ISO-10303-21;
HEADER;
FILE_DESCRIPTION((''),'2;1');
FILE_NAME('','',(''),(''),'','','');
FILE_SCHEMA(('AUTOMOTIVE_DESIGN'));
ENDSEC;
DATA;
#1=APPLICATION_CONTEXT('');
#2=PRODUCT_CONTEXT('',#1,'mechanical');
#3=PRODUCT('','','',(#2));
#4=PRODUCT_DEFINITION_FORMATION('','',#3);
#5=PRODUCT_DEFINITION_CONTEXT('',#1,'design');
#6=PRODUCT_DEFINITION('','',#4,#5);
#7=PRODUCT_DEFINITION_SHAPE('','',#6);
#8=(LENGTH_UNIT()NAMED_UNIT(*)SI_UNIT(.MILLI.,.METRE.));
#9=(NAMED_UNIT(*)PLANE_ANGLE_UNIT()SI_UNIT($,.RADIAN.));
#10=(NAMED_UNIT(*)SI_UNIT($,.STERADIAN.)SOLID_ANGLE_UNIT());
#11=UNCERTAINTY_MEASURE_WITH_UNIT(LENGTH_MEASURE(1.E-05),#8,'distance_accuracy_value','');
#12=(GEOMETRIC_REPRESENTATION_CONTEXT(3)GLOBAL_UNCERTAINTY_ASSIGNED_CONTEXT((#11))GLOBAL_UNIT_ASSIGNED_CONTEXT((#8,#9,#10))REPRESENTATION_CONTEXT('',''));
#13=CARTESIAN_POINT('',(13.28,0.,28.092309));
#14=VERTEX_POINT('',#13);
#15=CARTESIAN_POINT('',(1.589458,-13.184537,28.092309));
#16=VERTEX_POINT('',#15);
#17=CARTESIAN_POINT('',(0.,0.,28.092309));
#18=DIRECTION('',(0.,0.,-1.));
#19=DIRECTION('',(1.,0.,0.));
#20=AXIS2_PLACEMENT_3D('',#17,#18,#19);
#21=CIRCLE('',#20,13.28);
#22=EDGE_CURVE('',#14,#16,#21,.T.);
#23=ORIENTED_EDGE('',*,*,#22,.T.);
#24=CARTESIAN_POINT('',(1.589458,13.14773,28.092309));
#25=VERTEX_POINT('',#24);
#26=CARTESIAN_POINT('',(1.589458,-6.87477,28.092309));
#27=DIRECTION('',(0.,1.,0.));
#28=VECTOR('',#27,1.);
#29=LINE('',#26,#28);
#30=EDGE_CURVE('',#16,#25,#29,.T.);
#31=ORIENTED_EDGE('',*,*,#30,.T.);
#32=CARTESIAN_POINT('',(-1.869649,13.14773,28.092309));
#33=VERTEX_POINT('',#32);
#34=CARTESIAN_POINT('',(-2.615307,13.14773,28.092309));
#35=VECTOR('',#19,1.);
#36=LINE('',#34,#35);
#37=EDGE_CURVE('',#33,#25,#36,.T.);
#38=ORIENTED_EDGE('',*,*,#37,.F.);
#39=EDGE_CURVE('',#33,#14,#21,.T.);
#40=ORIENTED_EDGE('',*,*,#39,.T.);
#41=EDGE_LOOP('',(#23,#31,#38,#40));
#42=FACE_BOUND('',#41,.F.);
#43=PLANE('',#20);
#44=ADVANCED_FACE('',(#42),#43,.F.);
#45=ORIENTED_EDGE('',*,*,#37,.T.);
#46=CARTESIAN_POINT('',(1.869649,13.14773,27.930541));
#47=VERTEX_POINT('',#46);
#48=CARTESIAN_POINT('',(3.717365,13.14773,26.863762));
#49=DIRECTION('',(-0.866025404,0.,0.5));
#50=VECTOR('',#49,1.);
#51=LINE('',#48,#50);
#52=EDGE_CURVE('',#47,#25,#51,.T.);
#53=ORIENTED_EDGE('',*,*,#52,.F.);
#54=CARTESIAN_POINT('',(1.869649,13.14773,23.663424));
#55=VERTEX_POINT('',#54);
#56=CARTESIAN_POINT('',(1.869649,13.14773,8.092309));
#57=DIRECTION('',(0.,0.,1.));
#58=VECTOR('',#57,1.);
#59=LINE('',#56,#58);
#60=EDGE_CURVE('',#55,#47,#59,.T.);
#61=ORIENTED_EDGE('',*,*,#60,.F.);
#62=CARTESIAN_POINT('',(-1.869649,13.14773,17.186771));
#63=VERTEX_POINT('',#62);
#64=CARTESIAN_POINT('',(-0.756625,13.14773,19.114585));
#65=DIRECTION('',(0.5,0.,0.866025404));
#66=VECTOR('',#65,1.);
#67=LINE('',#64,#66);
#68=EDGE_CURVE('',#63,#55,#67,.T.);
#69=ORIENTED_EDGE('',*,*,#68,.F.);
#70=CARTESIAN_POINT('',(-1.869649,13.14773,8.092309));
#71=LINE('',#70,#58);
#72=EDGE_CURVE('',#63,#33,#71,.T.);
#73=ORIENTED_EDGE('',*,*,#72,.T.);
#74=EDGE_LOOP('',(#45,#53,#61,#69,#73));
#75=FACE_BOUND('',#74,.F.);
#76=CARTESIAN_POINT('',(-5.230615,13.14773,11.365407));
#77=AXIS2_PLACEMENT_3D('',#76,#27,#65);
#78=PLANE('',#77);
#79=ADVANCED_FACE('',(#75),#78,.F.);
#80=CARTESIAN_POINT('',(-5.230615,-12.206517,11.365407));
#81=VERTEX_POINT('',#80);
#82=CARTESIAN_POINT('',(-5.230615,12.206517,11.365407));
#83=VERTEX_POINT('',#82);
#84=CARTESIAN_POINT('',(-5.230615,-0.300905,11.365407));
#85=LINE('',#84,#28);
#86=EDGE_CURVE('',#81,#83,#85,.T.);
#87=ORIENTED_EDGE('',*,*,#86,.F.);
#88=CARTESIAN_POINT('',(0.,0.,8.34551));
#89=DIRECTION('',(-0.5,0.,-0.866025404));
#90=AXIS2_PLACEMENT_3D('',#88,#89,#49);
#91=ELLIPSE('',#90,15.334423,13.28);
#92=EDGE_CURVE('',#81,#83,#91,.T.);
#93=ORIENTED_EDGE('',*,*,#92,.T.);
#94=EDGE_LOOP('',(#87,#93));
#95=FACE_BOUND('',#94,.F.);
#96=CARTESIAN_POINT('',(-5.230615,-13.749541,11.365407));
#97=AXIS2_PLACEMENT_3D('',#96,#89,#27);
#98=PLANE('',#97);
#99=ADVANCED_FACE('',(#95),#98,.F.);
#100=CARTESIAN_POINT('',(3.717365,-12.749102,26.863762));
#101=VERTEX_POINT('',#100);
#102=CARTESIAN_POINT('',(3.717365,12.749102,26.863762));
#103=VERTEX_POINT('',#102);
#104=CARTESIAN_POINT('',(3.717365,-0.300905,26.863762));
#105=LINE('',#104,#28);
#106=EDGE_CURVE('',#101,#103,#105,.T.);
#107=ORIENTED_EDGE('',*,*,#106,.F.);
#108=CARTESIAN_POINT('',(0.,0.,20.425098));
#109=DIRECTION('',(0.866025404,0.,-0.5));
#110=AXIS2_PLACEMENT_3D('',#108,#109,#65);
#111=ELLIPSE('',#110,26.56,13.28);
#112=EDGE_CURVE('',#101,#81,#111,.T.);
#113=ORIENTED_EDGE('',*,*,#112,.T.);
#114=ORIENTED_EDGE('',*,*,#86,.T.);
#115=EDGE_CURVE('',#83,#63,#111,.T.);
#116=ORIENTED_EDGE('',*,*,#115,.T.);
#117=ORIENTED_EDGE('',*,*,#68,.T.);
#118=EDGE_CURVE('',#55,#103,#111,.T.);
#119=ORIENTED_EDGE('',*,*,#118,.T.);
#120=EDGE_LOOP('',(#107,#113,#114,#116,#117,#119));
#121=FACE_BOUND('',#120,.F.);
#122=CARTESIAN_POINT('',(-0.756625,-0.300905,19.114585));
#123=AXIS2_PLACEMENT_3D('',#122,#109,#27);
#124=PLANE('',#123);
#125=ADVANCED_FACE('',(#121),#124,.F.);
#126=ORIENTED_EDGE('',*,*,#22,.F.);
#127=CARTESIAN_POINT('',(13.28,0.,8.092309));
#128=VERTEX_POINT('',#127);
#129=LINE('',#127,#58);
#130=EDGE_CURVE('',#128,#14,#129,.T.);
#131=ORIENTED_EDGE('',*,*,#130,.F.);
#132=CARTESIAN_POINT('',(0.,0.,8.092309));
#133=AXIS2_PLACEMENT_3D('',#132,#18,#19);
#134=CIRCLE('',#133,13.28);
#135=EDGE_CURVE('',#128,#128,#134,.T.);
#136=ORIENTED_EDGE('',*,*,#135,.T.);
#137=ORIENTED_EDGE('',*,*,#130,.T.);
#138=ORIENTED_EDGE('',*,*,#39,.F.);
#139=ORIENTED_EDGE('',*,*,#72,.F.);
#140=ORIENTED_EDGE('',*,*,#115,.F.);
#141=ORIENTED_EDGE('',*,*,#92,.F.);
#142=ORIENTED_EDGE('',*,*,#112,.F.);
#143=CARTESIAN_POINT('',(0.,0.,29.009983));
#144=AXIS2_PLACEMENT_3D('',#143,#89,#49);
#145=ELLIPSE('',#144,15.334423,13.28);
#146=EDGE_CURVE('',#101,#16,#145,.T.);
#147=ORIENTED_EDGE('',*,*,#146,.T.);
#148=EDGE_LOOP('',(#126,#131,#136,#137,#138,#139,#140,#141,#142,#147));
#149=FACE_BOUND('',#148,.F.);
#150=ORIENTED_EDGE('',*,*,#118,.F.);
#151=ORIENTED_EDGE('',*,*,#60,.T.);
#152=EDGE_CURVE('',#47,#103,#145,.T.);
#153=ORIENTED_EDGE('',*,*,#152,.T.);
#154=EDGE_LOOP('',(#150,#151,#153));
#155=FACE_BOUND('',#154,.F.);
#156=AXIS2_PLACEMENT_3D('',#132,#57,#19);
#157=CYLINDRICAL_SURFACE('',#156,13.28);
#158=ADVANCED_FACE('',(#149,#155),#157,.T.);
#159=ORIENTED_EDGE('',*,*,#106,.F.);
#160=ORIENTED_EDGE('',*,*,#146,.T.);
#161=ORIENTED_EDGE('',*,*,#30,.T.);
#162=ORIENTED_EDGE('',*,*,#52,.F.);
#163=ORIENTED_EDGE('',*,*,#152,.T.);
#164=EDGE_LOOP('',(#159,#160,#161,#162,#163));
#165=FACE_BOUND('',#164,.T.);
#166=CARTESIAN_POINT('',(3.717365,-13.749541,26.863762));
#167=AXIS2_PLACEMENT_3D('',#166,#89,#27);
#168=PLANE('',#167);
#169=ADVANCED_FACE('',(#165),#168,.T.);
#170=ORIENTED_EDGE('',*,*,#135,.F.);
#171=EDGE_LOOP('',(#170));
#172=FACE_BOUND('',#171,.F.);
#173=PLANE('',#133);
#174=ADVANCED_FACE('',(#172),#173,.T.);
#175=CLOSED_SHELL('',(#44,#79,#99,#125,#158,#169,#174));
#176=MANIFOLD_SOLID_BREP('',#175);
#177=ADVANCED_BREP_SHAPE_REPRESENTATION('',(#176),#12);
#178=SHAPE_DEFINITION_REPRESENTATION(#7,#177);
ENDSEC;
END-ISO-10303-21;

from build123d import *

# Parameters (mm, degrees)
F3_W     = 26.8972711638
F3_H     = 17.8959585394
F4_DEPTH = 25


with BuildPart() as f1:
    # F0 (on Front) → F1 (revolve)
    with BuildSketch(Plane.XZ):
        Polygon((13.28, 28.0923092628), (0, 28.0923092628), (0, 20.425097688), (13.28, 12.7578861131), align=None)
        Polygon((13.28, 12.7578861131), (0, 20.425097688), (0, 8.0923092628), (13.28, 8.0923092628), align=None)
    revolve(axis=Axis((0, 0, 18.0923092628), (0, 0, -1)))

    # F3 (on line) → F4 (cut)
    with BuildSketch(Plane(origin=(-8.8443267363, 0, 5.106274422), x_dir=(0, 1, 0), z_dir=(0.8660254038, 0, -0.5))):
        with Locations((-0.3009052016, 16.1754032597)):
            Rectangle(F3_W, F3_H)
    extrude(amount=-F4_DEPTH, mode=Mode.SUBTRACT)


solid = f1.part
